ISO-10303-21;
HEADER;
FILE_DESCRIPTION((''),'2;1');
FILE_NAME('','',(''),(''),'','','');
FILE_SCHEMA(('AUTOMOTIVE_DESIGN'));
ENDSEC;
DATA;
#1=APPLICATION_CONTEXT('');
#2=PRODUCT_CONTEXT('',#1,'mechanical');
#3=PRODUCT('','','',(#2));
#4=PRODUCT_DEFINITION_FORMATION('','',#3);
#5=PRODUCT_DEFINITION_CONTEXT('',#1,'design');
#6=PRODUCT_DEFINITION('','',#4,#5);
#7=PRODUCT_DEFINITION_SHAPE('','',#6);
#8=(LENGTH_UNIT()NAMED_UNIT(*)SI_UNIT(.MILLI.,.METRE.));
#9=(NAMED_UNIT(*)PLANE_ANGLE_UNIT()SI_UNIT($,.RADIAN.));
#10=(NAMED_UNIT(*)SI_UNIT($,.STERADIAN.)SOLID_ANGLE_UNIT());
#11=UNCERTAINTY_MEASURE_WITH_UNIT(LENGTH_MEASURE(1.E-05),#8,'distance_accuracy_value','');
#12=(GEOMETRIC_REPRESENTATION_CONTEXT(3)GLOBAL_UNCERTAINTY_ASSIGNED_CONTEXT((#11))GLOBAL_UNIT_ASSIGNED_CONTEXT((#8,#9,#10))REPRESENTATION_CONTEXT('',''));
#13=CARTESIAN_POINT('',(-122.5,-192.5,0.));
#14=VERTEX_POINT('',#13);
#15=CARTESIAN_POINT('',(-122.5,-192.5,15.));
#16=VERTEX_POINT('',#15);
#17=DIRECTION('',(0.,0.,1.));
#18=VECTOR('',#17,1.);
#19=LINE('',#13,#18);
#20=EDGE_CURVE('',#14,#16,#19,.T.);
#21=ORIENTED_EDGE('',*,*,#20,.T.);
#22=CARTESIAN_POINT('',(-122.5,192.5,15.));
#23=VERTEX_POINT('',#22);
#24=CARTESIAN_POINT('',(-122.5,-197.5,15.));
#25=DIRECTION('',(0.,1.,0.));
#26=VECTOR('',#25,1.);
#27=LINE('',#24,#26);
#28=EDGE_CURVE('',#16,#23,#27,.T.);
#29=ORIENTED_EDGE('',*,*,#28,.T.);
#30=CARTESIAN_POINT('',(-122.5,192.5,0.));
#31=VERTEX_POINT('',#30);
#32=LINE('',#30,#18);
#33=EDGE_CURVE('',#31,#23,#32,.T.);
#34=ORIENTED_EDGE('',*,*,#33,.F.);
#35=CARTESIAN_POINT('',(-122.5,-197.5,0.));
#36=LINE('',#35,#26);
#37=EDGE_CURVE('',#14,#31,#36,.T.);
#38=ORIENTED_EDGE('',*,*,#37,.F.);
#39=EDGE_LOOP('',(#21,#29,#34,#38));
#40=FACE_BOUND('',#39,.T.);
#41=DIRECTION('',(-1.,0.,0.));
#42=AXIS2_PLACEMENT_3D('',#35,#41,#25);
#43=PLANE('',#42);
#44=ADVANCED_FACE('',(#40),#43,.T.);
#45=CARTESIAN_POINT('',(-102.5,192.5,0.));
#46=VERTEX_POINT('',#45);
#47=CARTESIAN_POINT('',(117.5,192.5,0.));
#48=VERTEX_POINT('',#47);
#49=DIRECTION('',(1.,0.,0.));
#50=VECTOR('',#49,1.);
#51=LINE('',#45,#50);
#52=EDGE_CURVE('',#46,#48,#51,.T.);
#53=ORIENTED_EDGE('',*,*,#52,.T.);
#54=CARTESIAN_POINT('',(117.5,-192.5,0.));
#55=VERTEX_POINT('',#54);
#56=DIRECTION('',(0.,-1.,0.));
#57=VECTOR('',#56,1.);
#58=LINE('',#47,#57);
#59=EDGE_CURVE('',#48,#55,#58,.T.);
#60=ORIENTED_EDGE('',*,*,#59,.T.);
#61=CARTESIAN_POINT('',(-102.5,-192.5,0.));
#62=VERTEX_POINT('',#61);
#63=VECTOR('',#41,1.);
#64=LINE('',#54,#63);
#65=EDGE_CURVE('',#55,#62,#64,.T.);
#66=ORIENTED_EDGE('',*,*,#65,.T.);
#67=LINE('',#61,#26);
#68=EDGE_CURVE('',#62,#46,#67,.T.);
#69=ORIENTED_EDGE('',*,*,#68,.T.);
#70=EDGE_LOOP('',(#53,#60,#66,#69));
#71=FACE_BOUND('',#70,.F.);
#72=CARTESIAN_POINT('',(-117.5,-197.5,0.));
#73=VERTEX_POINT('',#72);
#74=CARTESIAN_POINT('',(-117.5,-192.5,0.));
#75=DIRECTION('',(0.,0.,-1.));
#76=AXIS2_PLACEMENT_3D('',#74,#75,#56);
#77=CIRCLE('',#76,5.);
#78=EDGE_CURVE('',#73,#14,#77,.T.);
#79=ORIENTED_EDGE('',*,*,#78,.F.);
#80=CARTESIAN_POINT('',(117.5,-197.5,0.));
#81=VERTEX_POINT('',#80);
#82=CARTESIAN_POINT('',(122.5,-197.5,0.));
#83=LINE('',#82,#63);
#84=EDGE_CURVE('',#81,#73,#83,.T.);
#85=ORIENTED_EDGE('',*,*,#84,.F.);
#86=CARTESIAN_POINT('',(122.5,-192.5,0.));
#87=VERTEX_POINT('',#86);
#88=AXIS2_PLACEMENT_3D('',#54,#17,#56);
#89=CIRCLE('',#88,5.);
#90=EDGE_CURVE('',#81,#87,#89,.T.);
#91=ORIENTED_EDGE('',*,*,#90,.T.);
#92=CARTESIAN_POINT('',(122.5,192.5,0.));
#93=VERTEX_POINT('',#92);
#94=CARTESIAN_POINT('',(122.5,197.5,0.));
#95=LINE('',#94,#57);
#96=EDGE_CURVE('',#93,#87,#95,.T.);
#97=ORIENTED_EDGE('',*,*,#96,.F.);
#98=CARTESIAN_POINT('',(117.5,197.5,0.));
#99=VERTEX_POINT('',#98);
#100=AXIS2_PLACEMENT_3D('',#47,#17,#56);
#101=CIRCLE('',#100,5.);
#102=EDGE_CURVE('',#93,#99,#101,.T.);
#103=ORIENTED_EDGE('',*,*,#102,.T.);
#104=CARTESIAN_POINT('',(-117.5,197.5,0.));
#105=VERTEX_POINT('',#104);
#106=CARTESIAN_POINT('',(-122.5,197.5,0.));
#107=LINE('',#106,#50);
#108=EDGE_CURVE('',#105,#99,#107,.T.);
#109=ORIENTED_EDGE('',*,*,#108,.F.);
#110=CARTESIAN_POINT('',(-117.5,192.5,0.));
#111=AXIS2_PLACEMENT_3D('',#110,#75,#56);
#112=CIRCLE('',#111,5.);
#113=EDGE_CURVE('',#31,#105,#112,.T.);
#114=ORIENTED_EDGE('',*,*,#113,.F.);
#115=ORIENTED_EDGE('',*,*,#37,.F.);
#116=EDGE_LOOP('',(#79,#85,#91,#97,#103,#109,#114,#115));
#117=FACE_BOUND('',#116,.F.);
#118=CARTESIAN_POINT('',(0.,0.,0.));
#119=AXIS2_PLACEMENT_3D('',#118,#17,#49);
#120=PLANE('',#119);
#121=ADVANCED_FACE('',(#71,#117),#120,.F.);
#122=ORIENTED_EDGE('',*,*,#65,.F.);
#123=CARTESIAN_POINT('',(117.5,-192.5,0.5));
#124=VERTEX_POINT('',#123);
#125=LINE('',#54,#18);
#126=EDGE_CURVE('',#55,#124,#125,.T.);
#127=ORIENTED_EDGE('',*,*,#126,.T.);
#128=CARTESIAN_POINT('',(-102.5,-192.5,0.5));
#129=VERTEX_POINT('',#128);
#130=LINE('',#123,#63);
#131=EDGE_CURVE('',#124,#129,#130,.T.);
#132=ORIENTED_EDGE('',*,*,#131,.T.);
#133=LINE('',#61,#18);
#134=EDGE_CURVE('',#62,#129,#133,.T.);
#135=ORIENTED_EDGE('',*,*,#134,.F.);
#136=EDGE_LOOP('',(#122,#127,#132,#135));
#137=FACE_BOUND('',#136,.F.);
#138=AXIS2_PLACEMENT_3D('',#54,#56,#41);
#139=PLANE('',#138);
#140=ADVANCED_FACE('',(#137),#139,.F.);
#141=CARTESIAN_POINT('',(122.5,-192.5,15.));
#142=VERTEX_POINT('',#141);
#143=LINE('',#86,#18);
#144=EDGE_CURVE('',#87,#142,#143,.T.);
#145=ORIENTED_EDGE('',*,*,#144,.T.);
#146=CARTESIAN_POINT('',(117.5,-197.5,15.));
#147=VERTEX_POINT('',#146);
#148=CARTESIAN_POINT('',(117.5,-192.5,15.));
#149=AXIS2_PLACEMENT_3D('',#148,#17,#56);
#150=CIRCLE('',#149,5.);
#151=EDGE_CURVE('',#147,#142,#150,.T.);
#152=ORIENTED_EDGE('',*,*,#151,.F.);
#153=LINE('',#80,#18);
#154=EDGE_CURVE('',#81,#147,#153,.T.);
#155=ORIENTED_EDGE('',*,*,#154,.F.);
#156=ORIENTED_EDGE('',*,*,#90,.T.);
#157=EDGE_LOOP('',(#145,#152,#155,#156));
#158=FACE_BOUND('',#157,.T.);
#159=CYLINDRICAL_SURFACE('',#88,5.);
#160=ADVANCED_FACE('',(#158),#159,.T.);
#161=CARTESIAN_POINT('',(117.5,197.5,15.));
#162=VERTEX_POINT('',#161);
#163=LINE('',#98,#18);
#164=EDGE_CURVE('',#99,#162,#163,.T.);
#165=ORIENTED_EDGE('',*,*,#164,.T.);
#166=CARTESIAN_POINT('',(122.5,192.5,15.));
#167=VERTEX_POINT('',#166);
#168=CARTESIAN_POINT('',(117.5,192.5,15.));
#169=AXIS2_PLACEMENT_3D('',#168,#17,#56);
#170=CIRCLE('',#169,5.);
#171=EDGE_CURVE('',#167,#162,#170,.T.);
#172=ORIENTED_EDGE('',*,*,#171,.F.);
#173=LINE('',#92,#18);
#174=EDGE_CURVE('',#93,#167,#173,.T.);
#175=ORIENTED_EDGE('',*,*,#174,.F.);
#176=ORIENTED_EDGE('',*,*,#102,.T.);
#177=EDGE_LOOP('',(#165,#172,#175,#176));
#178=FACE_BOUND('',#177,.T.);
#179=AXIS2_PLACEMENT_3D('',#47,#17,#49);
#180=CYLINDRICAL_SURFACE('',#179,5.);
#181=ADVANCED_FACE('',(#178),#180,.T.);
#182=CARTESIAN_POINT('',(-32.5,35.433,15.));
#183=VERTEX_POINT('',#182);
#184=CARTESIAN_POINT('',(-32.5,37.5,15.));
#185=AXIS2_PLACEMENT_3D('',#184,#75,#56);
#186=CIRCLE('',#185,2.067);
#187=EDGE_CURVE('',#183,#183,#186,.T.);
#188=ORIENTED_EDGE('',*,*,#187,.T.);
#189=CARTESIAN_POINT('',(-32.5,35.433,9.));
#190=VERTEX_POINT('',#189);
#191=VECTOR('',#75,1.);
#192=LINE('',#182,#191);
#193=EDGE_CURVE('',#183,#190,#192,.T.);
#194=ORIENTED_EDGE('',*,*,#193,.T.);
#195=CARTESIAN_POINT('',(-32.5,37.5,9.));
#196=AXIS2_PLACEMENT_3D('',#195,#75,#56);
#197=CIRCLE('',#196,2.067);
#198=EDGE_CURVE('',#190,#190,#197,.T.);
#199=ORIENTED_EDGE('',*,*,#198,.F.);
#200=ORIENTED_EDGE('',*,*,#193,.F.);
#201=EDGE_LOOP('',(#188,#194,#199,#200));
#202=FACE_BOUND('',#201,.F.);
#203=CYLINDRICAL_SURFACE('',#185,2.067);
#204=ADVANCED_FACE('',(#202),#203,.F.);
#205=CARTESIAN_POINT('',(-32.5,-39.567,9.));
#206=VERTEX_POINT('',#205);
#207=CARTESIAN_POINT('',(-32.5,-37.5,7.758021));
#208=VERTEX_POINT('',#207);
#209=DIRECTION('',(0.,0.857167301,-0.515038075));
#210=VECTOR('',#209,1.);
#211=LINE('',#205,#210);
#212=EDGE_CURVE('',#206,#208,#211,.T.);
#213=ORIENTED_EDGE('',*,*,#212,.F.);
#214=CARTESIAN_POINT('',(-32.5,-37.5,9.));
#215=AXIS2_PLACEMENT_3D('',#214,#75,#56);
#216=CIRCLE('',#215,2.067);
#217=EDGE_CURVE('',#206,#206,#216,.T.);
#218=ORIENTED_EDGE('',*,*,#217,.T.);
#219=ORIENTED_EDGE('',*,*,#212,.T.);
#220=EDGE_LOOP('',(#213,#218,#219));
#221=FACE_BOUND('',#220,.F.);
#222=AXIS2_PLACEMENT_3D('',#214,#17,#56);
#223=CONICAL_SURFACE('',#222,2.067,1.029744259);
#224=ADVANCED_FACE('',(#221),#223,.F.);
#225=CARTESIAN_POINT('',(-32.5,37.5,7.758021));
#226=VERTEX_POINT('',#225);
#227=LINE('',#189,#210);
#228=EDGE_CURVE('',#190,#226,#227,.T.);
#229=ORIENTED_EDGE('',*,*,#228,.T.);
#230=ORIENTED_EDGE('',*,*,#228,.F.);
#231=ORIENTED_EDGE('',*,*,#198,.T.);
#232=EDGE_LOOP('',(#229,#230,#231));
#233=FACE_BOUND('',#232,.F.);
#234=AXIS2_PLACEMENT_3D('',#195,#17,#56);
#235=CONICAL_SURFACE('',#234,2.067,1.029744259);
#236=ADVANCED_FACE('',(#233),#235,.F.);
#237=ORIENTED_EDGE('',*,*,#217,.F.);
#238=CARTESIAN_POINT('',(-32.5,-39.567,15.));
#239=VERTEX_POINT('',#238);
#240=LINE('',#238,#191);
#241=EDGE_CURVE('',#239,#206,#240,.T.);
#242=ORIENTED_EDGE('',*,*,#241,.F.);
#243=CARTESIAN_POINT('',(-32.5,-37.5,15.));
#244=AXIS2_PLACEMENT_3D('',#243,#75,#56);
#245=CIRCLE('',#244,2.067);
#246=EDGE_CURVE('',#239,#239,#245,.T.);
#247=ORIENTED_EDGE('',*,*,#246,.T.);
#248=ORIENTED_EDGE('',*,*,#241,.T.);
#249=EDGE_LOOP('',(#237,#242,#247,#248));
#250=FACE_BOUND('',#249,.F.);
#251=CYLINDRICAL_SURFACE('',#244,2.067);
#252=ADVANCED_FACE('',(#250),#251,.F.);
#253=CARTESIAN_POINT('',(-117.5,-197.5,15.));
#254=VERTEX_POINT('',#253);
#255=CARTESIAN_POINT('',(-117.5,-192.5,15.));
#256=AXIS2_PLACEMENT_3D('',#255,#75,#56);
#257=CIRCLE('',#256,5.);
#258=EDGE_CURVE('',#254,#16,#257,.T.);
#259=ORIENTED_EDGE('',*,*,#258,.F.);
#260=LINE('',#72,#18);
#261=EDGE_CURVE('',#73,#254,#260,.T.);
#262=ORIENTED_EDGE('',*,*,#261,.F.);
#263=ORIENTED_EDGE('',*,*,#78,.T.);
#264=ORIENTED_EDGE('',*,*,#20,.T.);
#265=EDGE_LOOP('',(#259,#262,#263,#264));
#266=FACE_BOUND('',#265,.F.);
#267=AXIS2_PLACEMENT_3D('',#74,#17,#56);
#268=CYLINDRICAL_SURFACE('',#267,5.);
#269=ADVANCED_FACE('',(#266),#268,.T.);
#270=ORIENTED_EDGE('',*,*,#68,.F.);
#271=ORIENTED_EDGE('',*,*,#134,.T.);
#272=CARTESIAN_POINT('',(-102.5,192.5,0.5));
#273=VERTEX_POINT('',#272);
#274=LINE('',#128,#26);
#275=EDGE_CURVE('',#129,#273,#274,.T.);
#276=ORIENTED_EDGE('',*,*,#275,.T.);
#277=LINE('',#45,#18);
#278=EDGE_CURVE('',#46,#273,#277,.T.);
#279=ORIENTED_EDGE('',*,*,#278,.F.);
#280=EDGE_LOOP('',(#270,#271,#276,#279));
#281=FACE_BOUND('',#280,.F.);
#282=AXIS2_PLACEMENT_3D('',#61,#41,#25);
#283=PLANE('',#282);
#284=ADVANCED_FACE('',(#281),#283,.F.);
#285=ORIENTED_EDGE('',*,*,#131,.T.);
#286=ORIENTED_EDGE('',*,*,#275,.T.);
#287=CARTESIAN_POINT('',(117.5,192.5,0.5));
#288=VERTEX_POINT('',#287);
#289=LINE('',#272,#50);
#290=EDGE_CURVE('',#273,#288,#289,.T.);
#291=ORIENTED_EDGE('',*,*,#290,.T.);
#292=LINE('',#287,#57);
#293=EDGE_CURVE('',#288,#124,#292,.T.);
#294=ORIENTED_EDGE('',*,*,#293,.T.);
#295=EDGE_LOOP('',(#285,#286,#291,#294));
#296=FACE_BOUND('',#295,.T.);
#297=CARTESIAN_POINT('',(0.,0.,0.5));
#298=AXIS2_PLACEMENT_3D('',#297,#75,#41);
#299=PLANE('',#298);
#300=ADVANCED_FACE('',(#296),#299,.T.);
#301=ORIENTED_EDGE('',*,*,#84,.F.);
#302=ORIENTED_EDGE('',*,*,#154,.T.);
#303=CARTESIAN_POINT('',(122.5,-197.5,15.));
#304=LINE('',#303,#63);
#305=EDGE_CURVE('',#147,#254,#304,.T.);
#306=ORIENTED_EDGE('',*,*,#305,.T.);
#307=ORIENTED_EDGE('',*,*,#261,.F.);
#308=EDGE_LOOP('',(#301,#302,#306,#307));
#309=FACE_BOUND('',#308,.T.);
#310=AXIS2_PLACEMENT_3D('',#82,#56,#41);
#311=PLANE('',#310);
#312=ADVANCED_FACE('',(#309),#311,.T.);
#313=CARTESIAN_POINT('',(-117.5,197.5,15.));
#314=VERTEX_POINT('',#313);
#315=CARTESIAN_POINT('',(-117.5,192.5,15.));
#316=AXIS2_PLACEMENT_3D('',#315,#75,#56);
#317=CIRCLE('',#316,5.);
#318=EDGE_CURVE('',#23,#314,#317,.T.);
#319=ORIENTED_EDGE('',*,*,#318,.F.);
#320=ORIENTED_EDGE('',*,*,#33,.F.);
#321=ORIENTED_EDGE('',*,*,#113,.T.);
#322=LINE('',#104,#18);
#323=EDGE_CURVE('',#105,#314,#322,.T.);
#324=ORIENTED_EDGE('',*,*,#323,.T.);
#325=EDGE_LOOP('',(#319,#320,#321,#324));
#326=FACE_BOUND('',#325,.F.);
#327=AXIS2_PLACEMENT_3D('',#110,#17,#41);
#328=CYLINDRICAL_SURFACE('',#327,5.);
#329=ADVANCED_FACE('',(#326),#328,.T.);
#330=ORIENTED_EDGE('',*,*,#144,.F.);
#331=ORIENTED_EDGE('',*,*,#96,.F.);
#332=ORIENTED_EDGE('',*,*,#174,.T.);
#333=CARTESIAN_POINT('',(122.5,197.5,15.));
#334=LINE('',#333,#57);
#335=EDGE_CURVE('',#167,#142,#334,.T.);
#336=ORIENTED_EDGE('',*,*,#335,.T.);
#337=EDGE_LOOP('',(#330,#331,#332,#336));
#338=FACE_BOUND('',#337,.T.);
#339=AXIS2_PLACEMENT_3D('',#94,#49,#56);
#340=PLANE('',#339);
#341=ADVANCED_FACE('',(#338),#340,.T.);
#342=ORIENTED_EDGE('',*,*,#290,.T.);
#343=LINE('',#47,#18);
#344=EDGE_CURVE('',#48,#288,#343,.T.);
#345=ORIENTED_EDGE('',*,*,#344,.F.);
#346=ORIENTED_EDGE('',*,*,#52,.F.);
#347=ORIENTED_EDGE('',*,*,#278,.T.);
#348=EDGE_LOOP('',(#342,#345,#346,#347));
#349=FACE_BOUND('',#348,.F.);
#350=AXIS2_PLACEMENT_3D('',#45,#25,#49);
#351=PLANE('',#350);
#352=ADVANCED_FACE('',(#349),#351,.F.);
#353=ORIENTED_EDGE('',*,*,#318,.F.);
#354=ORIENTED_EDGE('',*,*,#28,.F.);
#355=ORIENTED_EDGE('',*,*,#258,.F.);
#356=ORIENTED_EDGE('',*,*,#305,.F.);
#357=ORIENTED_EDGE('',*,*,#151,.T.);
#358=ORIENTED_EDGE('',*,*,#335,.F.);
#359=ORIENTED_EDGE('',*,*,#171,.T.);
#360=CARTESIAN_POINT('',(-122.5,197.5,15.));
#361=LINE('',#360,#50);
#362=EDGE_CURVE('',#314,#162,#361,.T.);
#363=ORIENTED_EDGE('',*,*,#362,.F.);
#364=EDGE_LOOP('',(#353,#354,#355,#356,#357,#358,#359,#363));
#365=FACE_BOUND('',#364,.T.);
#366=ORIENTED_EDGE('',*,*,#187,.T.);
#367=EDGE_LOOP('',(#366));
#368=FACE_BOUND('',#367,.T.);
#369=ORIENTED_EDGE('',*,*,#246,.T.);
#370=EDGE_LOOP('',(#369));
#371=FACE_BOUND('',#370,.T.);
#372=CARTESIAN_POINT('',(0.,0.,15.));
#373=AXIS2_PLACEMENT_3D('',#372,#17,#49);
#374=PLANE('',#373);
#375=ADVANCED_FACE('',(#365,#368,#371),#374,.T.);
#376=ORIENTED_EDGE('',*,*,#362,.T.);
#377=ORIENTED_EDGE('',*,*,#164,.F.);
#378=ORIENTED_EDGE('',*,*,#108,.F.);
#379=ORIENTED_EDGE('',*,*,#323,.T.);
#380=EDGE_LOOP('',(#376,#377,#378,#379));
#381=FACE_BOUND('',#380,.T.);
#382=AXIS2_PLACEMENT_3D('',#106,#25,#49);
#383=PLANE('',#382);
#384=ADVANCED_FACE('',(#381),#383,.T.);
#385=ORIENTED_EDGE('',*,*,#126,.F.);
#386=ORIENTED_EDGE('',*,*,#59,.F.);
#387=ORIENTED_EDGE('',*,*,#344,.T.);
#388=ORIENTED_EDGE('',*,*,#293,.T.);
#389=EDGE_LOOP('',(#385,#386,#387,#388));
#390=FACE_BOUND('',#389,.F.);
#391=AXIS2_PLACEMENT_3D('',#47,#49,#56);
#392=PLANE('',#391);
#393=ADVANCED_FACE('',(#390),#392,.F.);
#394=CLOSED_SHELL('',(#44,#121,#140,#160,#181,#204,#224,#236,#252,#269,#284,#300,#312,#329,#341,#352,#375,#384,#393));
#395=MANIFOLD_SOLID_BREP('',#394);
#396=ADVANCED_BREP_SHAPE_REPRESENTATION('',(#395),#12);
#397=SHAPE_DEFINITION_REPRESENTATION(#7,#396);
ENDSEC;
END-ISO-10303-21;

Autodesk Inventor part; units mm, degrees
ref_plane "YZ Plane" through (0, 0, 0) normal (1, 0, 0) x (0, 1, 0)
ref_plane "XZ Plane" through (0, 0, 0) normal (0, 1, 0) x (-1, 0, 0)
ref_plane "XY Plane" through (0, 0, 0) normal (0, 0, 1) x (1, 0, 0)
sketch "スケッチ1" plane through (0, 0, 0) normal (0, 0, 1) x (1, 0, 0)
  line L0 (122.5, -197.5) -> (-122.5, -197.5)
  line L1 (-122.5, -197.5) -> (-122.5, 197.5)
  line L2 (-122.5, 197.5) -> (122.5, 197.5)
  line L3 (122.5, 197.5) -> (122.5, -197.5)
  line L4 (122.5, -197.5) -> (-122.5, 197.5) construction
  line L5 (-122.5, -197.5) -> (122.5, 197.5) construction
  point P0 (0, 0)
  dimension "d0" = 245
  dimension "d1" = 395
extrude "押し出し1" add sketch "スケッチ1" along normal blind 15
sketch "スケッチ2" plane through (0, 0, 15) normal (0, 0, 1) x (1, 0, 0)
  line L0 (-122.5, 197.5) -> (-122.5, -197.5) projected
  line L1 (122.5, 197.5) -> (-122.5, 197.5) projected
  point P0 (0, 0)
  point P1 (-32.5, 37.5)
  point P2 (-32.5, -37.5)
  dimension "d4" = 90
  dimension "d5" = 75
  dimension "d6" = 160
hole "穴1" at (-32.5, 37.5, 15) at (-32.5, -37.5, 15) direction (0, 0, -1) diameter 4.134 depth 6 tip angle 118 thread size "M5x0.8" class "6H" standard "ISO Metric profile"
sketch "スケッチ3" plane through (0, 0, 0) normal (0, 0, -1) x (-1, 0, 0)
  line L0 (122.5, -197.5) -> (-122.5, -197.5) projected
  line L1 (122.5, 197.5) -> (122.5, -197.5) projected
  line L2 (-122.5, 197.5) -> (122.5, 197.5) projected
  line L3 (-122.5, -197.5) -> (-122.5, 197.5) projected
  line L4 (102.5, 192.5) -> (-117.5, 192.5)
  line L5 (-117.5, 192.5) -> (-117.5, -192.5)
  line L6 (-117.5, -192.5) -> (102.5, -192.5)
  line L7 (102.5, -192.5) -> (102.5, 192.5)
  point P0 (0, 0)
  dimension "d14" = 5
  dimension "d15" = 5
  dimension "d16" = 5
  dimension "d17" = 20
extrude "押し出し2" cut sketch "スケッチ3" against normal blind 0.5 contours L7 L6 L5 L4
fillet "フィレット1" radius 5 4 edges at (122.5, -197.5, 7.5) (-122.5, -197.5, 7.5) (122.5, 197.5, 7.5) (-122.5, 197.5, 7.5)
properties part number "Display"
